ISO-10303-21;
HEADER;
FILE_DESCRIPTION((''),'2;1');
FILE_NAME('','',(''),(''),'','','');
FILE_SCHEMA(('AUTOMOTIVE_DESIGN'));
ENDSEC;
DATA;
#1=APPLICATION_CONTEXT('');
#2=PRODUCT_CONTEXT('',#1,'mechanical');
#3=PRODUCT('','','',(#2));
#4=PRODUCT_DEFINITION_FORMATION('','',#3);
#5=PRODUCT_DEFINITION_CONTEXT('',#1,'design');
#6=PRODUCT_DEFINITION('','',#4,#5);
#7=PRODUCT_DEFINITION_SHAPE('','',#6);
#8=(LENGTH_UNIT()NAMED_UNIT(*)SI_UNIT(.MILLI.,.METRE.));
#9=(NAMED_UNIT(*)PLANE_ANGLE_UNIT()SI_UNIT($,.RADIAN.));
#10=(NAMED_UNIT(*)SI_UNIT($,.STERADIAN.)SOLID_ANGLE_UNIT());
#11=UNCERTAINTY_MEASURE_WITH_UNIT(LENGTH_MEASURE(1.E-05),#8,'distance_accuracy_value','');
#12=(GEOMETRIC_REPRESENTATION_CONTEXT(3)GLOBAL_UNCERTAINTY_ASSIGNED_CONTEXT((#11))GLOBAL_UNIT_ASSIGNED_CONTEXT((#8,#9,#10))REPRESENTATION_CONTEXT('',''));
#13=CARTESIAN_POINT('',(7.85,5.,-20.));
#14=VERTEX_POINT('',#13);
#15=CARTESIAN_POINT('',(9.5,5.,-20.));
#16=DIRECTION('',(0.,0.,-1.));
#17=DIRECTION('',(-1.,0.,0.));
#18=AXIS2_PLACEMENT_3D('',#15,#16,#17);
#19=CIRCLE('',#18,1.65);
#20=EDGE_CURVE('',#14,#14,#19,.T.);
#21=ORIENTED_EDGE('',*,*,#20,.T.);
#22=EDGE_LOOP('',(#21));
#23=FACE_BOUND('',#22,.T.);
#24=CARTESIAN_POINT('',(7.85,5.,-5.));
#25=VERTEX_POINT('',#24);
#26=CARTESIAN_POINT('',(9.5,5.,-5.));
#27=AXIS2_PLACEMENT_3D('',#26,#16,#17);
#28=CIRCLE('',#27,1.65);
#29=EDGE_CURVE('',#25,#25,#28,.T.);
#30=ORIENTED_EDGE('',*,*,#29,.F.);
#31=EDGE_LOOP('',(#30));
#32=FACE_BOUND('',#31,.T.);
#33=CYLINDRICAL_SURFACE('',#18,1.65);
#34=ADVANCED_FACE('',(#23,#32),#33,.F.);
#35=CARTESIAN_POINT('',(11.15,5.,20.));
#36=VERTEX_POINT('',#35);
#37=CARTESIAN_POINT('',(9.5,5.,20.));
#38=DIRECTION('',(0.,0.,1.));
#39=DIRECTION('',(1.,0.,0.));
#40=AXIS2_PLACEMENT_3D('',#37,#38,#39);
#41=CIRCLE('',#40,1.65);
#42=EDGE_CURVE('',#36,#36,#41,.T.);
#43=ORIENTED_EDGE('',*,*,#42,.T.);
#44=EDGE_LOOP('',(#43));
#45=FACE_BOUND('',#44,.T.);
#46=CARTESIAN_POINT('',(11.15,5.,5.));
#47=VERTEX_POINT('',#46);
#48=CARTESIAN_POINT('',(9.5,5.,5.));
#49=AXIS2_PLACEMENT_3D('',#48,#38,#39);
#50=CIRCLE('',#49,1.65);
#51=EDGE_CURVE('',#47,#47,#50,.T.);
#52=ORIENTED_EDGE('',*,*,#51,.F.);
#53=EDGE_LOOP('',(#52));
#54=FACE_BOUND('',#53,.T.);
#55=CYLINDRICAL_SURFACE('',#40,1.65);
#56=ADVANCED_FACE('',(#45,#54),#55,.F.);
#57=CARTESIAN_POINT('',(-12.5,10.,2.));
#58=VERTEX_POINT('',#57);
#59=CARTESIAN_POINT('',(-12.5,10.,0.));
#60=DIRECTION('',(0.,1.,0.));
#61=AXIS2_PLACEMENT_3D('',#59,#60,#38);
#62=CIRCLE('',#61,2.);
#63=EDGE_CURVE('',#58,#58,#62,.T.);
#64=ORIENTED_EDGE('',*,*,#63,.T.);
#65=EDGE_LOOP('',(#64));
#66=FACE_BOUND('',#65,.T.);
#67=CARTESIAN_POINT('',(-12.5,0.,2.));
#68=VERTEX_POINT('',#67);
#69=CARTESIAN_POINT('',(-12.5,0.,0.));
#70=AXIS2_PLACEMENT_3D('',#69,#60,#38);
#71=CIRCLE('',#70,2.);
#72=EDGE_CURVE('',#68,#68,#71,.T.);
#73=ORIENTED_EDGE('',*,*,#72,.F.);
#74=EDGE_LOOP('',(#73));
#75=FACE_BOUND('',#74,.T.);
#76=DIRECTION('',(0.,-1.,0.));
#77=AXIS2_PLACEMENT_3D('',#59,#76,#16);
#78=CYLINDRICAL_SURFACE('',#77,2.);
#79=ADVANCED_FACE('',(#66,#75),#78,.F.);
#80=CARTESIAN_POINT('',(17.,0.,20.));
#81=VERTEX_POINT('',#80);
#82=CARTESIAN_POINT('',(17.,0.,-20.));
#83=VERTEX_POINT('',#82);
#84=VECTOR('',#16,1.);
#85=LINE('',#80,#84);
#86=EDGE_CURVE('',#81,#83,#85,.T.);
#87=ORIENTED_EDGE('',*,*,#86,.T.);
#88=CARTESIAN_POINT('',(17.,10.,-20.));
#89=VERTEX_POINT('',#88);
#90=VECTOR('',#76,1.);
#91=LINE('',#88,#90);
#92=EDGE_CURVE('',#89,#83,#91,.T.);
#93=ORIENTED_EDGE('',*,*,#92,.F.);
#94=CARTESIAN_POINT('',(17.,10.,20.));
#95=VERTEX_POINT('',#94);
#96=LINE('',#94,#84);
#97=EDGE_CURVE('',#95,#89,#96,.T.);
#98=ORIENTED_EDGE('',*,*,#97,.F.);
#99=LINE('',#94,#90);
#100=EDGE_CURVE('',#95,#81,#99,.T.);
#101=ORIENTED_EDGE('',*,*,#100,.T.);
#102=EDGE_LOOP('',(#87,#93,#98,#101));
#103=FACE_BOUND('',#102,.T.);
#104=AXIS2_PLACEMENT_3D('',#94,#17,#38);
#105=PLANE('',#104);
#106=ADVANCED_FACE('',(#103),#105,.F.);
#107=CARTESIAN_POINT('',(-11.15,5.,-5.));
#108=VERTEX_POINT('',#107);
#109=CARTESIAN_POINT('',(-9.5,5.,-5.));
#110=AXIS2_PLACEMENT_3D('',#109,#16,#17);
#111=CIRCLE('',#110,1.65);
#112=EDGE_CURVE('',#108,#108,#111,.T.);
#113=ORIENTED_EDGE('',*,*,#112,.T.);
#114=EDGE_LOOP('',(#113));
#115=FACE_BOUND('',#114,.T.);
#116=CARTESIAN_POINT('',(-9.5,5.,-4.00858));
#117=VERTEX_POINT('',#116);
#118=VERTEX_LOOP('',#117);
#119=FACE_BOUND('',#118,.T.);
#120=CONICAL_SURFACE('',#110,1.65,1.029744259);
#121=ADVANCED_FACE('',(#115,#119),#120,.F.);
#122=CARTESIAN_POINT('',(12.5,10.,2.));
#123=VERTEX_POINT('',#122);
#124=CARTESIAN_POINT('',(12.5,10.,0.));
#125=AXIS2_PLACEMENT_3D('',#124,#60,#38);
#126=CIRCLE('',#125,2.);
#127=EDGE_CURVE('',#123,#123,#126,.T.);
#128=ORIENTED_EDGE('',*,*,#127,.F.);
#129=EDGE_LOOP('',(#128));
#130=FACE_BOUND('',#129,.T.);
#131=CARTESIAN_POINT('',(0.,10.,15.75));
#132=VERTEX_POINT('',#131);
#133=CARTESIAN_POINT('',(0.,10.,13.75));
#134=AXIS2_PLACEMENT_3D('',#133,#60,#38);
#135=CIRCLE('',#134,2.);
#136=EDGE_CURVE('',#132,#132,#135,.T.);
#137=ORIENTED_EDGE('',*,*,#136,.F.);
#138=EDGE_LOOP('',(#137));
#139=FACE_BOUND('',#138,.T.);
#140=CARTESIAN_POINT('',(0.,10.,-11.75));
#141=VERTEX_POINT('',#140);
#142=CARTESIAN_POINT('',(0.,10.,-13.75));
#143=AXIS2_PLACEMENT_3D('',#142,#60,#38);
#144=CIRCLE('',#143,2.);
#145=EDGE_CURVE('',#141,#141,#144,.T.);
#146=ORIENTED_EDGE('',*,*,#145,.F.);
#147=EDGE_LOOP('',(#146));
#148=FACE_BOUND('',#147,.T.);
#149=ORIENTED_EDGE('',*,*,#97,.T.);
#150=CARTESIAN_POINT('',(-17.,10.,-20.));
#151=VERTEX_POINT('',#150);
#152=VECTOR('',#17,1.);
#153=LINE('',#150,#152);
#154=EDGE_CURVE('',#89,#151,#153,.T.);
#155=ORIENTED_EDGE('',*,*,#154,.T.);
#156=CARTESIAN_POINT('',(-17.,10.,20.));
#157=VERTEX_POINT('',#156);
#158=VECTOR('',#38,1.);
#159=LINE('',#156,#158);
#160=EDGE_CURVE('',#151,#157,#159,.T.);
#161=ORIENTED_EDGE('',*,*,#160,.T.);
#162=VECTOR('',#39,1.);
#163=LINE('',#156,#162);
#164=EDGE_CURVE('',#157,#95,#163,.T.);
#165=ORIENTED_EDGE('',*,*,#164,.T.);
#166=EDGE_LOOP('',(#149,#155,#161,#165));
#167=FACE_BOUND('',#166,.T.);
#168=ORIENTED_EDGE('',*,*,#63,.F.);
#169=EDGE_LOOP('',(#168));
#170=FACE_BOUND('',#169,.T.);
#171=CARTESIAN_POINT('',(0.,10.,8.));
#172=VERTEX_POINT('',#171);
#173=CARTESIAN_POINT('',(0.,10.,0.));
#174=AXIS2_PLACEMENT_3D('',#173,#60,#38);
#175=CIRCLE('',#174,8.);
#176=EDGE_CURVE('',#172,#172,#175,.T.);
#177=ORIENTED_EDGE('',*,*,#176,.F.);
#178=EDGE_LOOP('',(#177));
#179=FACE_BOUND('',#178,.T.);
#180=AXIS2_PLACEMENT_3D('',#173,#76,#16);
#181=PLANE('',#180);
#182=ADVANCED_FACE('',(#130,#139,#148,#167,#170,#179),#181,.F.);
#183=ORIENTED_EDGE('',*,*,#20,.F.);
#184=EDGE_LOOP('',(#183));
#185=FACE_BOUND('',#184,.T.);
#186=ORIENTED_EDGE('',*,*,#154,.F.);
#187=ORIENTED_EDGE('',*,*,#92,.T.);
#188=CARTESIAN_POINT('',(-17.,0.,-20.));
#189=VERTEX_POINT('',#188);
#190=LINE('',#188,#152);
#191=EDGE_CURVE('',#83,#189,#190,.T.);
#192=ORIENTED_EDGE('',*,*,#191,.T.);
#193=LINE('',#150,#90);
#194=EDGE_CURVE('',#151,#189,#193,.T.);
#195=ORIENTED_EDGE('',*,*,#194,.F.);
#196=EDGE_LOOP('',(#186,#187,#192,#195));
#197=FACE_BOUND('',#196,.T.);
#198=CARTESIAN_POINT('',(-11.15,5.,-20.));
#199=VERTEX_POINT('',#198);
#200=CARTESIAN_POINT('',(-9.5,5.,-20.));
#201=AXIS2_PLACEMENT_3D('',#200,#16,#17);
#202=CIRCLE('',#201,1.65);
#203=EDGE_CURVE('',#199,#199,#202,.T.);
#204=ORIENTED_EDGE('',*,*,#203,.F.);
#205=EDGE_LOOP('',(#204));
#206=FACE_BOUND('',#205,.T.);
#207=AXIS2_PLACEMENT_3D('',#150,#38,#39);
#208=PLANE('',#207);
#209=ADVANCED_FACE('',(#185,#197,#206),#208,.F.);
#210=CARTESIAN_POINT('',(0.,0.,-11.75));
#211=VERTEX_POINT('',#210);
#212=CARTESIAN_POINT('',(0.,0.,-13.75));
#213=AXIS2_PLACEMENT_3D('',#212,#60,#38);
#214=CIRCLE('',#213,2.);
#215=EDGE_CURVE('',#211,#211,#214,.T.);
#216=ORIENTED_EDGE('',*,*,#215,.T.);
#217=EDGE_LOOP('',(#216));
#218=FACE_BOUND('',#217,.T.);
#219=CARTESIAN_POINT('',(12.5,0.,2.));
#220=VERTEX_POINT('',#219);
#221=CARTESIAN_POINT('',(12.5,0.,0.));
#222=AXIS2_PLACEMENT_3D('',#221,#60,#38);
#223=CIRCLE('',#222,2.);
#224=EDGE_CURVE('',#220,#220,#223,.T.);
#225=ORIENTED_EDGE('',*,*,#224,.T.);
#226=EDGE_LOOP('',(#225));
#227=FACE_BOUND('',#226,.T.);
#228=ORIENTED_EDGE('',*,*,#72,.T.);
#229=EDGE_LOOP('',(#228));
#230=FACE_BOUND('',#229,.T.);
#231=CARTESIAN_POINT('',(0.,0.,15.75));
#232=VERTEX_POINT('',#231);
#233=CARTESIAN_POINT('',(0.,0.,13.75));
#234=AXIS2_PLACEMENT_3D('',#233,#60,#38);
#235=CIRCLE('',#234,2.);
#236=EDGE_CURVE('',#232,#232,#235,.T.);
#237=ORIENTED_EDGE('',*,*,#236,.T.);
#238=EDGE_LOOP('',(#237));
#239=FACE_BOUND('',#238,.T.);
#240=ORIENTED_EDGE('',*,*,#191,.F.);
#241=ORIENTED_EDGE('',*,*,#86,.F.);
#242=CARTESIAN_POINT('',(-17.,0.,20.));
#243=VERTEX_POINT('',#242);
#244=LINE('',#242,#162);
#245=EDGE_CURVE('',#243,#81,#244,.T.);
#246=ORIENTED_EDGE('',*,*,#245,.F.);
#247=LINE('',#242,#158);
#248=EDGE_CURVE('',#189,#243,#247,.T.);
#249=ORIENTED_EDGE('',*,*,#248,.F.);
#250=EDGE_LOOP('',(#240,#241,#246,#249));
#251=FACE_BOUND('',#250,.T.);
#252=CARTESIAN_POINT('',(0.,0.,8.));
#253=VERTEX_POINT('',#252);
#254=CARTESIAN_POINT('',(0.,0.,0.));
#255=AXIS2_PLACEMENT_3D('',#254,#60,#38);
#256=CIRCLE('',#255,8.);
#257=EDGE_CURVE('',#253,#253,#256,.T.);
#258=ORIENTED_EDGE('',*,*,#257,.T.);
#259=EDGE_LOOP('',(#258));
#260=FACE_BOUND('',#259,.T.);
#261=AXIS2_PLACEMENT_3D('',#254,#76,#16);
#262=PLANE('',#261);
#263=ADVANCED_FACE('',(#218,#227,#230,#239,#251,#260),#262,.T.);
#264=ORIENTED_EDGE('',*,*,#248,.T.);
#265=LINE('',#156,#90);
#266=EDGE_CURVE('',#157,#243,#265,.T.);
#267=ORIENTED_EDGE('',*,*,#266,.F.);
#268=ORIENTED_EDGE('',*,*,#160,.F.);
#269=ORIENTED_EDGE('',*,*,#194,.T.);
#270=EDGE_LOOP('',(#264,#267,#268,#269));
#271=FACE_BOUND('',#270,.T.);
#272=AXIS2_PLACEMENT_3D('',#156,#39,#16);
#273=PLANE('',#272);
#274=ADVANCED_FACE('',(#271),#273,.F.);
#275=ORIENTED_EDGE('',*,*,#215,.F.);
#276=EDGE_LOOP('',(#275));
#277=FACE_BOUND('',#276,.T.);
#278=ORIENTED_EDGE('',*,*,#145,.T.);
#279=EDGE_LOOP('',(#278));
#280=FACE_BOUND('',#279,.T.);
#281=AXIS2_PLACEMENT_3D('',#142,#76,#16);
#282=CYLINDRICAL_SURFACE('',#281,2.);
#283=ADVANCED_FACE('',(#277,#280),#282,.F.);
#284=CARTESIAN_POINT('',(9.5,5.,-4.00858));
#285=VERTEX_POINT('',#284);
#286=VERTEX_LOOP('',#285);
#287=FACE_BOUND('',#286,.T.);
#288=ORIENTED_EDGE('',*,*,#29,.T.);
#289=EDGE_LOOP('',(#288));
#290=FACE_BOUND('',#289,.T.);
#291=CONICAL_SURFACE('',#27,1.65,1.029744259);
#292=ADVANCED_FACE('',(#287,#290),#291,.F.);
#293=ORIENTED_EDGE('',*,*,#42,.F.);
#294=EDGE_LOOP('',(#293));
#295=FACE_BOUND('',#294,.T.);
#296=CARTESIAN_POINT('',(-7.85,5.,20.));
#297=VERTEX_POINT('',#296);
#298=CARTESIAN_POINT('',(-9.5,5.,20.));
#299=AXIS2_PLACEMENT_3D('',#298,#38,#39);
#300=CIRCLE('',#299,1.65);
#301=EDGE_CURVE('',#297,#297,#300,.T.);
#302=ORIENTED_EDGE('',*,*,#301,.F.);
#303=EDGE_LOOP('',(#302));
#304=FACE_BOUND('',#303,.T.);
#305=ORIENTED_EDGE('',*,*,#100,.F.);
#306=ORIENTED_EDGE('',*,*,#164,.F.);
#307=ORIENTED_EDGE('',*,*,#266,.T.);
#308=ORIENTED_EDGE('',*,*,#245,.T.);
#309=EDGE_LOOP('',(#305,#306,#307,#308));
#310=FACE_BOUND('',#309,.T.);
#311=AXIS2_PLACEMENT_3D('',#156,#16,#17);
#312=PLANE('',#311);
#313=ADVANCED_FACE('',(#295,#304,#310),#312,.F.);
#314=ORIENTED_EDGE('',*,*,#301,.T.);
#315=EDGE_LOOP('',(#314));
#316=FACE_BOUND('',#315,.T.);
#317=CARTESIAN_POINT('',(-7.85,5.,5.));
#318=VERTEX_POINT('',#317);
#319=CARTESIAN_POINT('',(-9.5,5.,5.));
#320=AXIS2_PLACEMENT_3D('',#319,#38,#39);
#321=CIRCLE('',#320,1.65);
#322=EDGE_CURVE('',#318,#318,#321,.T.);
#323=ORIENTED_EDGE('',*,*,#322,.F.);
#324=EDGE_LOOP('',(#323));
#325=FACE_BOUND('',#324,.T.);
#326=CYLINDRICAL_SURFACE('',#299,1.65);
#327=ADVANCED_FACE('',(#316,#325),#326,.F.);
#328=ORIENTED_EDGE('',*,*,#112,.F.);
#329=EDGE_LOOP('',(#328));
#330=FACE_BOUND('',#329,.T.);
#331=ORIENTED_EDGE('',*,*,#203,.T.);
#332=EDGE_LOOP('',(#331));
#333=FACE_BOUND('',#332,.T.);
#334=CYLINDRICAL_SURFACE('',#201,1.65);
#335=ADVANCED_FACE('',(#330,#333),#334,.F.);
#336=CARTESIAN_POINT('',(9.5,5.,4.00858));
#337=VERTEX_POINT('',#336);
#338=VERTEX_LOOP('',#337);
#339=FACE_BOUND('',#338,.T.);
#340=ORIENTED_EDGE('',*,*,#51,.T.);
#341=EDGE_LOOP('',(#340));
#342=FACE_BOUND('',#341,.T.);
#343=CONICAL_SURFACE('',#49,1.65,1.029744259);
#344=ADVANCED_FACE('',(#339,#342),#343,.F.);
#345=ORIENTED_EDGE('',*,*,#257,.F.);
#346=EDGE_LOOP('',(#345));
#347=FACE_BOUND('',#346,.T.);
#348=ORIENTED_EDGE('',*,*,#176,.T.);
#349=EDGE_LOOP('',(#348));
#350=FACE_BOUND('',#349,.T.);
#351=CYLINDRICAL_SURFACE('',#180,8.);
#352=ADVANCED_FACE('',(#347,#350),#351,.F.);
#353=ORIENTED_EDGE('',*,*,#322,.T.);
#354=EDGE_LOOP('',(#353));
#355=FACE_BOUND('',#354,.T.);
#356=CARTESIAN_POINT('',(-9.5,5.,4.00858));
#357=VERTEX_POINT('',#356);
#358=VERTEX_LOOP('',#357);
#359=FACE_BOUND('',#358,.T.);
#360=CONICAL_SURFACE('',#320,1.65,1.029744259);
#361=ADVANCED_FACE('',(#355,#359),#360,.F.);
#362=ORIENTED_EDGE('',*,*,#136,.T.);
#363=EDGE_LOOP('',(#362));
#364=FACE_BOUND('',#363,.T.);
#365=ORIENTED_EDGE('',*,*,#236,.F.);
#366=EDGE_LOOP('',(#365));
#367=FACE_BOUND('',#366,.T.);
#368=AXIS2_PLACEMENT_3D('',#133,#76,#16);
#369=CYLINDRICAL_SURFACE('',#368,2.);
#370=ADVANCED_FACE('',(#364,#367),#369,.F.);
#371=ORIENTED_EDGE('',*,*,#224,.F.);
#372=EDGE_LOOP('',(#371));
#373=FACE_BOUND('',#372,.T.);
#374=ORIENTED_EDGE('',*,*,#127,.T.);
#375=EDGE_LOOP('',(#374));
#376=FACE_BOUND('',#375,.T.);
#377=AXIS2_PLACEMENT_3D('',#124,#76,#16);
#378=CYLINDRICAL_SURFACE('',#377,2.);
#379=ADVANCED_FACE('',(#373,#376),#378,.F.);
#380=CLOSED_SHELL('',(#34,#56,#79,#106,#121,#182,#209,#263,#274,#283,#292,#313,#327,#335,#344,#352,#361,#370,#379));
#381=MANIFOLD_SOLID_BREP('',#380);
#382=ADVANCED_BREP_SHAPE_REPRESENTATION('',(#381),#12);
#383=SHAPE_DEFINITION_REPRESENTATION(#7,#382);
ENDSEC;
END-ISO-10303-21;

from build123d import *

# Parameters (mm, degrees)
SKETCH1_W                           = 34
SKETCH1_H                           = 40
SKETCH1_R                           = 8
SKETCH1_R_2                         = 2
BOSS_EXTRUDE1_DEPTH                 = 10
M4X0_7_TAPPED_HOLE1_D               = 3.3
M4X0_7_TAPPED_HOLE1_DEPTH           = 15
M4X0_7_TAPPED_HOLE1_TIP             = 0.991420021
M4X0_7_TAPPED_HOLE1_ON_FACE_2_D     = 3.3
M4X0_7_TAPPED_HOLE1_ON_FACE_2_DEPTH = 15
M4X0_7_TAPPED_HOLE1_ON_FACE_2_TIP   = 0.991420021


with BuildPart() as part:
    # Sketch1 → Boss-Extrude1 (new body)
    with BuildSketch(Plane(origin=(0, 0, 0), x_dir=(1, 0, 0), z_dir=(0, 1, 0))):
        Rectangle(SKETCH1_W, SKETCH1_H)
        with Locations(Location((0, 0, 0), (0, 0, 270))):
            Circle(SKETCH1_R, mode=Mode.SUBTRACT)
        with Locations(Location((0, 13.75, 0), (0, 0, 270))):
            Circle(SKETCH1_R_2, mode=Mode.SUBTRACT)
        with Locations(Location((0, -13.75, 0), (0, 0, 270))):
            Circle(SKETCH1_R_2, mode=Mode.SUBTRACT)
        with Locations(Location((-12.5, 0, 0), (0, 0, 270))):
            Circle(SKETCH1_R_2, mode=Mode.SUBTRACT)
        with Locations(Location((12.5, 0, 0), (0, 0, 270))):
            Circle(SKETCH1_R_2, mode=Mode.SUBTRACT)
    extrude(amount=BOSS_EXTRUDE1_DEPTH)

    # M4x0.7 Tapped Hole1
    with Locations(Plane(origin=(9.5, 5, -20), x_dir=(-1, 0, 0), z_dir=(0, 0, -1))):
        with Locations((0, 0), (19, 0)):
            Hole(M4X0_7_TAPPED_HOLE1_D / 2, depth=M4X0_7_TAPPED_HOLE1_DEPTH)
            with Locations((0, 0, -(M4X0_7_TAPPED_HOLE1_DEPTH + M4X0_7_TAPPED_HOLE1_TIP / 2))):  # 118° drill point
                Cone(0, M4X0_7_TAPPED_HOLE1_D / 2, M4X0_7_TAPPED_HOLE1_TIP, mode=Mode.SUBTRACT)

    # M4x0.7 Tapped Hole1 on face 2
    with Locations(Plane(origin=(-9.5, 5, 20), x_dir=(1, 0, 0), z_dir=(0, 0, 1))):
        with Locations((0, 0), (19, 0)):
            Hole(M4X0_7_TAPPED_HOLE1_ON_FACE_2_D / 2, depth=M4X0_7_TAPPED_HOLE1_ON_FACE_2_DEPTH)
            with Locations((0, 0, -(M4X0_7_TAPPED_HOLE1_ON_FACE_2_DEPTH + M4X0_7_TAPPED_HOLE1_ON_FACE_2_TIP / 2))):  # 118° drill point
                Cone(0, M4X0_7_TAPPED_HOLE1_ON_FACE_2_D / 2, M4X0_7_TAPPED_HOLE1_ON_FACE_2_TIP, mode=Mode.SUBTRACT)


solid = part.part
